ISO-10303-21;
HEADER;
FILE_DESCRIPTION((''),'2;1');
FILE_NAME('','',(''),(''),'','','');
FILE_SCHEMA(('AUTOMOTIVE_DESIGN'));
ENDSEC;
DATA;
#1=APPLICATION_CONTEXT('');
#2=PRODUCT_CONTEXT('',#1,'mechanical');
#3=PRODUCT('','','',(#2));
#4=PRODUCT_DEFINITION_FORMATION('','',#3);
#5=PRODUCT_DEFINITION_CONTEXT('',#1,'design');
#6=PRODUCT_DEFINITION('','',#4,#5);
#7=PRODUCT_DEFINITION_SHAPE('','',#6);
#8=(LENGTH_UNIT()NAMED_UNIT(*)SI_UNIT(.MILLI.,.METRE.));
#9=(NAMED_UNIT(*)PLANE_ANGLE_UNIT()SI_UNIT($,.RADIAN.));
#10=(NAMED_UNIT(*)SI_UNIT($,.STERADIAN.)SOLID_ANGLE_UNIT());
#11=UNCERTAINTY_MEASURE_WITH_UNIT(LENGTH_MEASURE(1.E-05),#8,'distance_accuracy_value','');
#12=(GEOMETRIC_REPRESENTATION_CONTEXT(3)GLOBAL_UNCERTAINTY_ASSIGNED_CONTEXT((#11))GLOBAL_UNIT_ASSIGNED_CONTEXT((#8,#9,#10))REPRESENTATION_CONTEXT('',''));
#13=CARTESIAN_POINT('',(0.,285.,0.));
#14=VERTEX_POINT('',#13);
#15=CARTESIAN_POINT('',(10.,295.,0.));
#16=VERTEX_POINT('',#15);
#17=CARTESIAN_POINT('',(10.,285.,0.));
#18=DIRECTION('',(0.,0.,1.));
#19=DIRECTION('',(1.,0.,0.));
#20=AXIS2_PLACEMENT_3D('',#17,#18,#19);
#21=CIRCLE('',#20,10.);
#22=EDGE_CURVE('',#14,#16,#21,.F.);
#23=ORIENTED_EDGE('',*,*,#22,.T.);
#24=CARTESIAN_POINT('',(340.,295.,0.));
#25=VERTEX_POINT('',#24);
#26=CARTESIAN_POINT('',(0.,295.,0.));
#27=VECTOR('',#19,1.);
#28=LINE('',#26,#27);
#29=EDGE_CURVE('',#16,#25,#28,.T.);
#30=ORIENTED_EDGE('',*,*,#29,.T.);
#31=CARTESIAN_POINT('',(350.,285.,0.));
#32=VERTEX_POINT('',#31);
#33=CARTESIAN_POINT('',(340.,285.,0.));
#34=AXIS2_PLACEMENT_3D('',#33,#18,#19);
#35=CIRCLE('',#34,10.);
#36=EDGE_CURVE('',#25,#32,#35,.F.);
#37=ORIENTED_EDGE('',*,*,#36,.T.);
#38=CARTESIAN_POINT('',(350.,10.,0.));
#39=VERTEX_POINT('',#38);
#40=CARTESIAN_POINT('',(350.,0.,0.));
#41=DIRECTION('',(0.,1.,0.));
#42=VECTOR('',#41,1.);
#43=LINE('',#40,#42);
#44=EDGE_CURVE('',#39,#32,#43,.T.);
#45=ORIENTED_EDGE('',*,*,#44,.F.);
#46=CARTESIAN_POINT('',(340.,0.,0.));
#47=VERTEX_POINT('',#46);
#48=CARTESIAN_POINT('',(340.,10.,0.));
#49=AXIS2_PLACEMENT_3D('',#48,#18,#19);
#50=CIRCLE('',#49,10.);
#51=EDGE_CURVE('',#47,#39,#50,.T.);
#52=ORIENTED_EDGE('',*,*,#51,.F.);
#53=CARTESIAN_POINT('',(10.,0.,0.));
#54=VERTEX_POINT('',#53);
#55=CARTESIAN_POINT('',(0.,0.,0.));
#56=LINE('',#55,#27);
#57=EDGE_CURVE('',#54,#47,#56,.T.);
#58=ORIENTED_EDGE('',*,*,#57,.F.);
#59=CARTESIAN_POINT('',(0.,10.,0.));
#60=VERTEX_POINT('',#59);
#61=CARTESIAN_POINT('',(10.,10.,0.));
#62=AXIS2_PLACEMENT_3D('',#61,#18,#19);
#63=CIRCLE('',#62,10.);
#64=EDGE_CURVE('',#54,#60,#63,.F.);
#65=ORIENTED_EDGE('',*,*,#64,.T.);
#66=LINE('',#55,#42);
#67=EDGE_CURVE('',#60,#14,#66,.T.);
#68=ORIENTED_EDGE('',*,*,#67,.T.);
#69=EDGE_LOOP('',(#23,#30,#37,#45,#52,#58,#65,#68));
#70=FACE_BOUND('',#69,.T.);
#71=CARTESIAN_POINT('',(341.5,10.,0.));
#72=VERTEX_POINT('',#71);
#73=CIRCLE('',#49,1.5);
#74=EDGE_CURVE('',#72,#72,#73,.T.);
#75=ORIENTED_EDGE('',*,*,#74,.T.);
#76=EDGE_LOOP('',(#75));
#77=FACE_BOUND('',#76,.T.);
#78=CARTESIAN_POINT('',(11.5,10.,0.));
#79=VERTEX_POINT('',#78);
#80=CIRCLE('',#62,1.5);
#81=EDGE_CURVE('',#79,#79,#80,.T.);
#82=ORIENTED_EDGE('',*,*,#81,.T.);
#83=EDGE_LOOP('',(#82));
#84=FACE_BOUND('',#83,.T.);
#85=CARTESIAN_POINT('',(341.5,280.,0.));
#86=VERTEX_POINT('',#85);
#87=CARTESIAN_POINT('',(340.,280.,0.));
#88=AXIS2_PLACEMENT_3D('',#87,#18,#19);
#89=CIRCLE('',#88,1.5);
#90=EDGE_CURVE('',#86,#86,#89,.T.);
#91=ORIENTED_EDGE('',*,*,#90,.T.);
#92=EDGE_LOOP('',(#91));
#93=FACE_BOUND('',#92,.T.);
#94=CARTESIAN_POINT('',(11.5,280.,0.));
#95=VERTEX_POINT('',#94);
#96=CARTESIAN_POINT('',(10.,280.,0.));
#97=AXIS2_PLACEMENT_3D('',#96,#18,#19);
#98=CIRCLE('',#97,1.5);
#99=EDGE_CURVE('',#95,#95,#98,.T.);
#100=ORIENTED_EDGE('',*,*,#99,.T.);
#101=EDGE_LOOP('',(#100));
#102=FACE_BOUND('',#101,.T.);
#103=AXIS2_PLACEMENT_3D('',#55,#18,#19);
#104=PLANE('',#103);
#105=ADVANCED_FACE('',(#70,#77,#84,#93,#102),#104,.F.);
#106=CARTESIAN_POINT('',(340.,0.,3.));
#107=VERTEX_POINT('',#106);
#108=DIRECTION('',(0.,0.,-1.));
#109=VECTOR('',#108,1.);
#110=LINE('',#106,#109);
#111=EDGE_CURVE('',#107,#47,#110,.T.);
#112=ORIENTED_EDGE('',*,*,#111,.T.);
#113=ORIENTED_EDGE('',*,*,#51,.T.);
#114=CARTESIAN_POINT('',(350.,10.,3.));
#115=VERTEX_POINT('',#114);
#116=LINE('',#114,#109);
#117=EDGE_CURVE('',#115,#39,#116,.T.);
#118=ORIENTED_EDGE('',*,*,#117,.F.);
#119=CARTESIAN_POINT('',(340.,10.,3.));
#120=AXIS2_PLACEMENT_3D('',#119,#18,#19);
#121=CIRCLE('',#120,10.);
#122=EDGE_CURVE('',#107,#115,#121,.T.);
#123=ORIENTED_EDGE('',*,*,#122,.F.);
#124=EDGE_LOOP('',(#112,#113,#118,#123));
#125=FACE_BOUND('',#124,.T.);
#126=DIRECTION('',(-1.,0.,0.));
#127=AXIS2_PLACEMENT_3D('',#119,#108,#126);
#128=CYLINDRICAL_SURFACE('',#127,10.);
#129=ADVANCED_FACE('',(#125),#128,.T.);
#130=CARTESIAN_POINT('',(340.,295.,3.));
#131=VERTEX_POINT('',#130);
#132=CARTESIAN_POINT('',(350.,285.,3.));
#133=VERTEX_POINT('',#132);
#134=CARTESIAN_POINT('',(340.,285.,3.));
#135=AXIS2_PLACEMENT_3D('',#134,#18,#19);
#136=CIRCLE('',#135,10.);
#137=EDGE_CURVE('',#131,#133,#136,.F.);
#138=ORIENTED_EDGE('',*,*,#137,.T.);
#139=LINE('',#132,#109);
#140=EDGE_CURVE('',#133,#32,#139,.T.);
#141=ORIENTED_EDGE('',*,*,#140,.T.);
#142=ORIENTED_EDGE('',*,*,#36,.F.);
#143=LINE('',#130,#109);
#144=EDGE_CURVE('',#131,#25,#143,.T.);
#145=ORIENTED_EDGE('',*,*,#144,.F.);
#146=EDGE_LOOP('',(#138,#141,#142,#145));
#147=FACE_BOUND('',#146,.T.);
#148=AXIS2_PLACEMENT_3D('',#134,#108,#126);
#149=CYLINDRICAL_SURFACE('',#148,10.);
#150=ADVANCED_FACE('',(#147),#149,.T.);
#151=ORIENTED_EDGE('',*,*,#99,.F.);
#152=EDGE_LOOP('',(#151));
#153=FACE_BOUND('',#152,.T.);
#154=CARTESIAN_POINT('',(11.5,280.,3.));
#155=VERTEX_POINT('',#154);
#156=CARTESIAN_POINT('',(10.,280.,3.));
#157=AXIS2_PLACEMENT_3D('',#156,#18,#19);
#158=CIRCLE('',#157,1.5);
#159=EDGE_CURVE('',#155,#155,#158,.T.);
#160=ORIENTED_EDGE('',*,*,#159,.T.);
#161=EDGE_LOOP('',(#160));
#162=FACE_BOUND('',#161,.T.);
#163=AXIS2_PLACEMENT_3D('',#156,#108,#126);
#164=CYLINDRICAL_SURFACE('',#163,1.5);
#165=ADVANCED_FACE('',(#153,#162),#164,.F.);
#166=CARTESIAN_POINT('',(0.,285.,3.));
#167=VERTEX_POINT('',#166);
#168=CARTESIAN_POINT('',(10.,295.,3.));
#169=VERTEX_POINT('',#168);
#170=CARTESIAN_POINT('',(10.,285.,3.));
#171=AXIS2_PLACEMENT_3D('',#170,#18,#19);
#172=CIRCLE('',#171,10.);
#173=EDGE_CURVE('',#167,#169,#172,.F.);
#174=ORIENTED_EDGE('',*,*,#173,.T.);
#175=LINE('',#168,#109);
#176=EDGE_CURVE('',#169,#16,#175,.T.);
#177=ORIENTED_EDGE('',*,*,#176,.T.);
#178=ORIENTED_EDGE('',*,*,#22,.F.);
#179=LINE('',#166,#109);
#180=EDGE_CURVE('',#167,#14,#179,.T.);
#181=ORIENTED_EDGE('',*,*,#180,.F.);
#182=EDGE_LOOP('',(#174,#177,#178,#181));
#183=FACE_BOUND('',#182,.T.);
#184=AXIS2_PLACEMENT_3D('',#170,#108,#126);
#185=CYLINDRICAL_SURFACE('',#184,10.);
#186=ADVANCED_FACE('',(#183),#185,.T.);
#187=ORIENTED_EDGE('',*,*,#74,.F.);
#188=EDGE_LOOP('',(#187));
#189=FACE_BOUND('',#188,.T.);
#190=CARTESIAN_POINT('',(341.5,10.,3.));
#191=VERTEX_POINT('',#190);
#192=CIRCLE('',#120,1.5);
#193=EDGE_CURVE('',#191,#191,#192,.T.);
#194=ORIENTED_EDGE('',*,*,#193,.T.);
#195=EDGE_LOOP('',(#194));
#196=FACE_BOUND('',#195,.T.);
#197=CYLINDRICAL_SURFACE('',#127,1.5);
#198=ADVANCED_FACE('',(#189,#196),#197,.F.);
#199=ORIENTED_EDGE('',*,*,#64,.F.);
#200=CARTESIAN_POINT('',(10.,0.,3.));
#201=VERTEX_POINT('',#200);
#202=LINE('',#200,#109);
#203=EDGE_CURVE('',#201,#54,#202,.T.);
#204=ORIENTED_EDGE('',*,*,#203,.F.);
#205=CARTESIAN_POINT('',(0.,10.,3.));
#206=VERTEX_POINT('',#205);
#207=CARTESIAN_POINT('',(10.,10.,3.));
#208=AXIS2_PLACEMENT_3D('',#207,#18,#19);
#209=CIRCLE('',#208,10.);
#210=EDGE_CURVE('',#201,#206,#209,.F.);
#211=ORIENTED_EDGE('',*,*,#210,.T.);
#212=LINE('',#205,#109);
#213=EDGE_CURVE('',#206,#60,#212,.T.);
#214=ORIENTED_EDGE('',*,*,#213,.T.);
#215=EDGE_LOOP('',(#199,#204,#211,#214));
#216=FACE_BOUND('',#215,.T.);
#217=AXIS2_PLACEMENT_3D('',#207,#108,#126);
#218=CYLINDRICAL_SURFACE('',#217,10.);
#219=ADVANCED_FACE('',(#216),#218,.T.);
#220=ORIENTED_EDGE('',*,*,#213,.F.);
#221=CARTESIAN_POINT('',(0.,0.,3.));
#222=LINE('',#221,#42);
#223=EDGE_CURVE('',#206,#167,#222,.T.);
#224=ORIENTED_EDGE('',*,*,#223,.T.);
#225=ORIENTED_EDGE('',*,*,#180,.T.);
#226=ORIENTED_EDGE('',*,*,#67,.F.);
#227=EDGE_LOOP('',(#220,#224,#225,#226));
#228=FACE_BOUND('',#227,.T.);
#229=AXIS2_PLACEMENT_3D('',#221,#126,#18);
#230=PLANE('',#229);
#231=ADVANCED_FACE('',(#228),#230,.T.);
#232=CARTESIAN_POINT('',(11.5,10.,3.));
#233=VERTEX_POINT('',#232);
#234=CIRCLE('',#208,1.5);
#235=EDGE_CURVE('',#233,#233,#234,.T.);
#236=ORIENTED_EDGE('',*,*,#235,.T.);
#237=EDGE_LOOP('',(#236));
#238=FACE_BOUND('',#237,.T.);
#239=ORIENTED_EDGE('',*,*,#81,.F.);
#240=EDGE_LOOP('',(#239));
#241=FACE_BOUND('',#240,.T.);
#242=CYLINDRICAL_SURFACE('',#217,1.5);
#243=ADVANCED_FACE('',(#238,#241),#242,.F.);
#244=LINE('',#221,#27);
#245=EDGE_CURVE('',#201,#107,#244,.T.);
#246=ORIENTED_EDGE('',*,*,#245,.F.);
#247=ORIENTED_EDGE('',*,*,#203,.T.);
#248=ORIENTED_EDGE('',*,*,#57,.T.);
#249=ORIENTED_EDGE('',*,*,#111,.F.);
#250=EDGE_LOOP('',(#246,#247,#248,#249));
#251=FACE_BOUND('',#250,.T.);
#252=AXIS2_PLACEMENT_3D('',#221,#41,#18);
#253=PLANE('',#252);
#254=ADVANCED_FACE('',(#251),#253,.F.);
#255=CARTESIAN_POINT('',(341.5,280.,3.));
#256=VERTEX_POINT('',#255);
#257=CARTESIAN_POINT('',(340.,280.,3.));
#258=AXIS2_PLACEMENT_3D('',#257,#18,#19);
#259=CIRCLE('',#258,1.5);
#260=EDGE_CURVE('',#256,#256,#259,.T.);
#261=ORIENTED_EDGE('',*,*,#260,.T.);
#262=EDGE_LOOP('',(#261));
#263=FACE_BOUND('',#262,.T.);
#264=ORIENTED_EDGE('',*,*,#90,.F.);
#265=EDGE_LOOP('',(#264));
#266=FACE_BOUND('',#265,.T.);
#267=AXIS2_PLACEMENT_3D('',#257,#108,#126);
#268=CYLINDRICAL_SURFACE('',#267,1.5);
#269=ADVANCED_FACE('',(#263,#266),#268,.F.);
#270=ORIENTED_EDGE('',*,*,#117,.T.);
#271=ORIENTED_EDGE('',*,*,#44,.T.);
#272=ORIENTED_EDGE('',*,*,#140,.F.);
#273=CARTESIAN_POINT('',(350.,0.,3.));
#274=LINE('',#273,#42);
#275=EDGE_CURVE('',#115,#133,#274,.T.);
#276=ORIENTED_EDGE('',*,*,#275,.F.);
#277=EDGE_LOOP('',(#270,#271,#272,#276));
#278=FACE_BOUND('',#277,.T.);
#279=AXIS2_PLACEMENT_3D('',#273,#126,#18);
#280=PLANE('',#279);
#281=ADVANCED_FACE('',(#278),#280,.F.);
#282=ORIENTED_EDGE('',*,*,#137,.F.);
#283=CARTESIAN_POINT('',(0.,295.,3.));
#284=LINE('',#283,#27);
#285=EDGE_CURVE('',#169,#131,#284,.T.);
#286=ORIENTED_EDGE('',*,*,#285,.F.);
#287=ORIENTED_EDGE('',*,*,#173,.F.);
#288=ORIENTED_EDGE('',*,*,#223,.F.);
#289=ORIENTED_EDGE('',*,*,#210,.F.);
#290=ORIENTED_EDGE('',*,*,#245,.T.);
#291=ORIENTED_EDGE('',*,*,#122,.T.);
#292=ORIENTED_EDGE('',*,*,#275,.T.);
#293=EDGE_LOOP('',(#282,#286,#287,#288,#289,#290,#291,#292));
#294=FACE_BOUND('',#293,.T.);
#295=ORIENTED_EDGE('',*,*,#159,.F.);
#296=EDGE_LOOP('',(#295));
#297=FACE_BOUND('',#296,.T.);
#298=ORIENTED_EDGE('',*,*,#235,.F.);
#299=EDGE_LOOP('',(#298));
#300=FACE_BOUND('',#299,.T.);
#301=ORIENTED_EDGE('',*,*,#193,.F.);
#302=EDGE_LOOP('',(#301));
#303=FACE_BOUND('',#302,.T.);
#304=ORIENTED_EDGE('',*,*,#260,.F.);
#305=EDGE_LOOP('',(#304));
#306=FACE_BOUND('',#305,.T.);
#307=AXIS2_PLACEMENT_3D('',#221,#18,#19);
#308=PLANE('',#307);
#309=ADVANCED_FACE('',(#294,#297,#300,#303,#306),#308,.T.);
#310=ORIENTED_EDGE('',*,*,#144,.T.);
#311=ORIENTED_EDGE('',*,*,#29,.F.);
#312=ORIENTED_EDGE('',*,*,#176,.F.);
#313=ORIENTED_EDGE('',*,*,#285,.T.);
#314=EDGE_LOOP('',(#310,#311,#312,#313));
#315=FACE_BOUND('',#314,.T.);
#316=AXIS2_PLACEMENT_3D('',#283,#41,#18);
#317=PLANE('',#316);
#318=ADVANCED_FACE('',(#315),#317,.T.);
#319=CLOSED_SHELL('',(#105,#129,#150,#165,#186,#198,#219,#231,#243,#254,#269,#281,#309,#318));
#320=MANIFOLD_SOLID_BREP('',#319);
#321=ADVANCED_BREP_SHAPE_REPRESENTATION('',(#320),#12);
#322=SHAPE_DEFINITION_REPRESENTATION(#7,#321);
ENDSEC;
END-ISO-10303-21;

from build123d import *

# Parameters (mm, degrees)
ESQUISSE1_R        = 1.5
BOSS_EXTRU_1_DEPTH = 3


with BuildPart() as part:
    # Esquisse1 → Boss.-Extru.1 (new body)
    with BuildSketch(Plane.XY):
        with BuildLine():
            Line((10, 0), (340, 0))
            ThreePointArc((340, 0), (347.071067812, 2.928932188), (350, 10))
            Line((350, 10), (350, 285))
            ThreePointArc((350, 285), (347.071067812, 292.071067812), (340, 295))
            Line((340, 295), (10, 295))
            ThreePointArc((10, 295), (2.928932188, 292.071067812), (0, 285))
            Line((0, 285), (0, 10))
            ThreePointArc((0, 10), (2.928932188, 2.928932188), (10, 0))
        make_face()
        with Locations((340, 280)):
            Circle(ESQUISSE1_R, mode=Mode.SUBTRACT)
        with Locations((10, 280)):
            Circle(ESQUISSE1_R, mode=Mode.SUBTRACT)
        with Locations((10, 10)):
            Circle(ESQUISSE1_R, mode=Mode.SUBTRACT)
        with Locations((340, 10)):
            Circle(ESQUISSE1_R, mode=Mode.SUBTRACT)
    extrude(amount=BOSS_EXTRU_1_DEPTH)


solid = part.part
